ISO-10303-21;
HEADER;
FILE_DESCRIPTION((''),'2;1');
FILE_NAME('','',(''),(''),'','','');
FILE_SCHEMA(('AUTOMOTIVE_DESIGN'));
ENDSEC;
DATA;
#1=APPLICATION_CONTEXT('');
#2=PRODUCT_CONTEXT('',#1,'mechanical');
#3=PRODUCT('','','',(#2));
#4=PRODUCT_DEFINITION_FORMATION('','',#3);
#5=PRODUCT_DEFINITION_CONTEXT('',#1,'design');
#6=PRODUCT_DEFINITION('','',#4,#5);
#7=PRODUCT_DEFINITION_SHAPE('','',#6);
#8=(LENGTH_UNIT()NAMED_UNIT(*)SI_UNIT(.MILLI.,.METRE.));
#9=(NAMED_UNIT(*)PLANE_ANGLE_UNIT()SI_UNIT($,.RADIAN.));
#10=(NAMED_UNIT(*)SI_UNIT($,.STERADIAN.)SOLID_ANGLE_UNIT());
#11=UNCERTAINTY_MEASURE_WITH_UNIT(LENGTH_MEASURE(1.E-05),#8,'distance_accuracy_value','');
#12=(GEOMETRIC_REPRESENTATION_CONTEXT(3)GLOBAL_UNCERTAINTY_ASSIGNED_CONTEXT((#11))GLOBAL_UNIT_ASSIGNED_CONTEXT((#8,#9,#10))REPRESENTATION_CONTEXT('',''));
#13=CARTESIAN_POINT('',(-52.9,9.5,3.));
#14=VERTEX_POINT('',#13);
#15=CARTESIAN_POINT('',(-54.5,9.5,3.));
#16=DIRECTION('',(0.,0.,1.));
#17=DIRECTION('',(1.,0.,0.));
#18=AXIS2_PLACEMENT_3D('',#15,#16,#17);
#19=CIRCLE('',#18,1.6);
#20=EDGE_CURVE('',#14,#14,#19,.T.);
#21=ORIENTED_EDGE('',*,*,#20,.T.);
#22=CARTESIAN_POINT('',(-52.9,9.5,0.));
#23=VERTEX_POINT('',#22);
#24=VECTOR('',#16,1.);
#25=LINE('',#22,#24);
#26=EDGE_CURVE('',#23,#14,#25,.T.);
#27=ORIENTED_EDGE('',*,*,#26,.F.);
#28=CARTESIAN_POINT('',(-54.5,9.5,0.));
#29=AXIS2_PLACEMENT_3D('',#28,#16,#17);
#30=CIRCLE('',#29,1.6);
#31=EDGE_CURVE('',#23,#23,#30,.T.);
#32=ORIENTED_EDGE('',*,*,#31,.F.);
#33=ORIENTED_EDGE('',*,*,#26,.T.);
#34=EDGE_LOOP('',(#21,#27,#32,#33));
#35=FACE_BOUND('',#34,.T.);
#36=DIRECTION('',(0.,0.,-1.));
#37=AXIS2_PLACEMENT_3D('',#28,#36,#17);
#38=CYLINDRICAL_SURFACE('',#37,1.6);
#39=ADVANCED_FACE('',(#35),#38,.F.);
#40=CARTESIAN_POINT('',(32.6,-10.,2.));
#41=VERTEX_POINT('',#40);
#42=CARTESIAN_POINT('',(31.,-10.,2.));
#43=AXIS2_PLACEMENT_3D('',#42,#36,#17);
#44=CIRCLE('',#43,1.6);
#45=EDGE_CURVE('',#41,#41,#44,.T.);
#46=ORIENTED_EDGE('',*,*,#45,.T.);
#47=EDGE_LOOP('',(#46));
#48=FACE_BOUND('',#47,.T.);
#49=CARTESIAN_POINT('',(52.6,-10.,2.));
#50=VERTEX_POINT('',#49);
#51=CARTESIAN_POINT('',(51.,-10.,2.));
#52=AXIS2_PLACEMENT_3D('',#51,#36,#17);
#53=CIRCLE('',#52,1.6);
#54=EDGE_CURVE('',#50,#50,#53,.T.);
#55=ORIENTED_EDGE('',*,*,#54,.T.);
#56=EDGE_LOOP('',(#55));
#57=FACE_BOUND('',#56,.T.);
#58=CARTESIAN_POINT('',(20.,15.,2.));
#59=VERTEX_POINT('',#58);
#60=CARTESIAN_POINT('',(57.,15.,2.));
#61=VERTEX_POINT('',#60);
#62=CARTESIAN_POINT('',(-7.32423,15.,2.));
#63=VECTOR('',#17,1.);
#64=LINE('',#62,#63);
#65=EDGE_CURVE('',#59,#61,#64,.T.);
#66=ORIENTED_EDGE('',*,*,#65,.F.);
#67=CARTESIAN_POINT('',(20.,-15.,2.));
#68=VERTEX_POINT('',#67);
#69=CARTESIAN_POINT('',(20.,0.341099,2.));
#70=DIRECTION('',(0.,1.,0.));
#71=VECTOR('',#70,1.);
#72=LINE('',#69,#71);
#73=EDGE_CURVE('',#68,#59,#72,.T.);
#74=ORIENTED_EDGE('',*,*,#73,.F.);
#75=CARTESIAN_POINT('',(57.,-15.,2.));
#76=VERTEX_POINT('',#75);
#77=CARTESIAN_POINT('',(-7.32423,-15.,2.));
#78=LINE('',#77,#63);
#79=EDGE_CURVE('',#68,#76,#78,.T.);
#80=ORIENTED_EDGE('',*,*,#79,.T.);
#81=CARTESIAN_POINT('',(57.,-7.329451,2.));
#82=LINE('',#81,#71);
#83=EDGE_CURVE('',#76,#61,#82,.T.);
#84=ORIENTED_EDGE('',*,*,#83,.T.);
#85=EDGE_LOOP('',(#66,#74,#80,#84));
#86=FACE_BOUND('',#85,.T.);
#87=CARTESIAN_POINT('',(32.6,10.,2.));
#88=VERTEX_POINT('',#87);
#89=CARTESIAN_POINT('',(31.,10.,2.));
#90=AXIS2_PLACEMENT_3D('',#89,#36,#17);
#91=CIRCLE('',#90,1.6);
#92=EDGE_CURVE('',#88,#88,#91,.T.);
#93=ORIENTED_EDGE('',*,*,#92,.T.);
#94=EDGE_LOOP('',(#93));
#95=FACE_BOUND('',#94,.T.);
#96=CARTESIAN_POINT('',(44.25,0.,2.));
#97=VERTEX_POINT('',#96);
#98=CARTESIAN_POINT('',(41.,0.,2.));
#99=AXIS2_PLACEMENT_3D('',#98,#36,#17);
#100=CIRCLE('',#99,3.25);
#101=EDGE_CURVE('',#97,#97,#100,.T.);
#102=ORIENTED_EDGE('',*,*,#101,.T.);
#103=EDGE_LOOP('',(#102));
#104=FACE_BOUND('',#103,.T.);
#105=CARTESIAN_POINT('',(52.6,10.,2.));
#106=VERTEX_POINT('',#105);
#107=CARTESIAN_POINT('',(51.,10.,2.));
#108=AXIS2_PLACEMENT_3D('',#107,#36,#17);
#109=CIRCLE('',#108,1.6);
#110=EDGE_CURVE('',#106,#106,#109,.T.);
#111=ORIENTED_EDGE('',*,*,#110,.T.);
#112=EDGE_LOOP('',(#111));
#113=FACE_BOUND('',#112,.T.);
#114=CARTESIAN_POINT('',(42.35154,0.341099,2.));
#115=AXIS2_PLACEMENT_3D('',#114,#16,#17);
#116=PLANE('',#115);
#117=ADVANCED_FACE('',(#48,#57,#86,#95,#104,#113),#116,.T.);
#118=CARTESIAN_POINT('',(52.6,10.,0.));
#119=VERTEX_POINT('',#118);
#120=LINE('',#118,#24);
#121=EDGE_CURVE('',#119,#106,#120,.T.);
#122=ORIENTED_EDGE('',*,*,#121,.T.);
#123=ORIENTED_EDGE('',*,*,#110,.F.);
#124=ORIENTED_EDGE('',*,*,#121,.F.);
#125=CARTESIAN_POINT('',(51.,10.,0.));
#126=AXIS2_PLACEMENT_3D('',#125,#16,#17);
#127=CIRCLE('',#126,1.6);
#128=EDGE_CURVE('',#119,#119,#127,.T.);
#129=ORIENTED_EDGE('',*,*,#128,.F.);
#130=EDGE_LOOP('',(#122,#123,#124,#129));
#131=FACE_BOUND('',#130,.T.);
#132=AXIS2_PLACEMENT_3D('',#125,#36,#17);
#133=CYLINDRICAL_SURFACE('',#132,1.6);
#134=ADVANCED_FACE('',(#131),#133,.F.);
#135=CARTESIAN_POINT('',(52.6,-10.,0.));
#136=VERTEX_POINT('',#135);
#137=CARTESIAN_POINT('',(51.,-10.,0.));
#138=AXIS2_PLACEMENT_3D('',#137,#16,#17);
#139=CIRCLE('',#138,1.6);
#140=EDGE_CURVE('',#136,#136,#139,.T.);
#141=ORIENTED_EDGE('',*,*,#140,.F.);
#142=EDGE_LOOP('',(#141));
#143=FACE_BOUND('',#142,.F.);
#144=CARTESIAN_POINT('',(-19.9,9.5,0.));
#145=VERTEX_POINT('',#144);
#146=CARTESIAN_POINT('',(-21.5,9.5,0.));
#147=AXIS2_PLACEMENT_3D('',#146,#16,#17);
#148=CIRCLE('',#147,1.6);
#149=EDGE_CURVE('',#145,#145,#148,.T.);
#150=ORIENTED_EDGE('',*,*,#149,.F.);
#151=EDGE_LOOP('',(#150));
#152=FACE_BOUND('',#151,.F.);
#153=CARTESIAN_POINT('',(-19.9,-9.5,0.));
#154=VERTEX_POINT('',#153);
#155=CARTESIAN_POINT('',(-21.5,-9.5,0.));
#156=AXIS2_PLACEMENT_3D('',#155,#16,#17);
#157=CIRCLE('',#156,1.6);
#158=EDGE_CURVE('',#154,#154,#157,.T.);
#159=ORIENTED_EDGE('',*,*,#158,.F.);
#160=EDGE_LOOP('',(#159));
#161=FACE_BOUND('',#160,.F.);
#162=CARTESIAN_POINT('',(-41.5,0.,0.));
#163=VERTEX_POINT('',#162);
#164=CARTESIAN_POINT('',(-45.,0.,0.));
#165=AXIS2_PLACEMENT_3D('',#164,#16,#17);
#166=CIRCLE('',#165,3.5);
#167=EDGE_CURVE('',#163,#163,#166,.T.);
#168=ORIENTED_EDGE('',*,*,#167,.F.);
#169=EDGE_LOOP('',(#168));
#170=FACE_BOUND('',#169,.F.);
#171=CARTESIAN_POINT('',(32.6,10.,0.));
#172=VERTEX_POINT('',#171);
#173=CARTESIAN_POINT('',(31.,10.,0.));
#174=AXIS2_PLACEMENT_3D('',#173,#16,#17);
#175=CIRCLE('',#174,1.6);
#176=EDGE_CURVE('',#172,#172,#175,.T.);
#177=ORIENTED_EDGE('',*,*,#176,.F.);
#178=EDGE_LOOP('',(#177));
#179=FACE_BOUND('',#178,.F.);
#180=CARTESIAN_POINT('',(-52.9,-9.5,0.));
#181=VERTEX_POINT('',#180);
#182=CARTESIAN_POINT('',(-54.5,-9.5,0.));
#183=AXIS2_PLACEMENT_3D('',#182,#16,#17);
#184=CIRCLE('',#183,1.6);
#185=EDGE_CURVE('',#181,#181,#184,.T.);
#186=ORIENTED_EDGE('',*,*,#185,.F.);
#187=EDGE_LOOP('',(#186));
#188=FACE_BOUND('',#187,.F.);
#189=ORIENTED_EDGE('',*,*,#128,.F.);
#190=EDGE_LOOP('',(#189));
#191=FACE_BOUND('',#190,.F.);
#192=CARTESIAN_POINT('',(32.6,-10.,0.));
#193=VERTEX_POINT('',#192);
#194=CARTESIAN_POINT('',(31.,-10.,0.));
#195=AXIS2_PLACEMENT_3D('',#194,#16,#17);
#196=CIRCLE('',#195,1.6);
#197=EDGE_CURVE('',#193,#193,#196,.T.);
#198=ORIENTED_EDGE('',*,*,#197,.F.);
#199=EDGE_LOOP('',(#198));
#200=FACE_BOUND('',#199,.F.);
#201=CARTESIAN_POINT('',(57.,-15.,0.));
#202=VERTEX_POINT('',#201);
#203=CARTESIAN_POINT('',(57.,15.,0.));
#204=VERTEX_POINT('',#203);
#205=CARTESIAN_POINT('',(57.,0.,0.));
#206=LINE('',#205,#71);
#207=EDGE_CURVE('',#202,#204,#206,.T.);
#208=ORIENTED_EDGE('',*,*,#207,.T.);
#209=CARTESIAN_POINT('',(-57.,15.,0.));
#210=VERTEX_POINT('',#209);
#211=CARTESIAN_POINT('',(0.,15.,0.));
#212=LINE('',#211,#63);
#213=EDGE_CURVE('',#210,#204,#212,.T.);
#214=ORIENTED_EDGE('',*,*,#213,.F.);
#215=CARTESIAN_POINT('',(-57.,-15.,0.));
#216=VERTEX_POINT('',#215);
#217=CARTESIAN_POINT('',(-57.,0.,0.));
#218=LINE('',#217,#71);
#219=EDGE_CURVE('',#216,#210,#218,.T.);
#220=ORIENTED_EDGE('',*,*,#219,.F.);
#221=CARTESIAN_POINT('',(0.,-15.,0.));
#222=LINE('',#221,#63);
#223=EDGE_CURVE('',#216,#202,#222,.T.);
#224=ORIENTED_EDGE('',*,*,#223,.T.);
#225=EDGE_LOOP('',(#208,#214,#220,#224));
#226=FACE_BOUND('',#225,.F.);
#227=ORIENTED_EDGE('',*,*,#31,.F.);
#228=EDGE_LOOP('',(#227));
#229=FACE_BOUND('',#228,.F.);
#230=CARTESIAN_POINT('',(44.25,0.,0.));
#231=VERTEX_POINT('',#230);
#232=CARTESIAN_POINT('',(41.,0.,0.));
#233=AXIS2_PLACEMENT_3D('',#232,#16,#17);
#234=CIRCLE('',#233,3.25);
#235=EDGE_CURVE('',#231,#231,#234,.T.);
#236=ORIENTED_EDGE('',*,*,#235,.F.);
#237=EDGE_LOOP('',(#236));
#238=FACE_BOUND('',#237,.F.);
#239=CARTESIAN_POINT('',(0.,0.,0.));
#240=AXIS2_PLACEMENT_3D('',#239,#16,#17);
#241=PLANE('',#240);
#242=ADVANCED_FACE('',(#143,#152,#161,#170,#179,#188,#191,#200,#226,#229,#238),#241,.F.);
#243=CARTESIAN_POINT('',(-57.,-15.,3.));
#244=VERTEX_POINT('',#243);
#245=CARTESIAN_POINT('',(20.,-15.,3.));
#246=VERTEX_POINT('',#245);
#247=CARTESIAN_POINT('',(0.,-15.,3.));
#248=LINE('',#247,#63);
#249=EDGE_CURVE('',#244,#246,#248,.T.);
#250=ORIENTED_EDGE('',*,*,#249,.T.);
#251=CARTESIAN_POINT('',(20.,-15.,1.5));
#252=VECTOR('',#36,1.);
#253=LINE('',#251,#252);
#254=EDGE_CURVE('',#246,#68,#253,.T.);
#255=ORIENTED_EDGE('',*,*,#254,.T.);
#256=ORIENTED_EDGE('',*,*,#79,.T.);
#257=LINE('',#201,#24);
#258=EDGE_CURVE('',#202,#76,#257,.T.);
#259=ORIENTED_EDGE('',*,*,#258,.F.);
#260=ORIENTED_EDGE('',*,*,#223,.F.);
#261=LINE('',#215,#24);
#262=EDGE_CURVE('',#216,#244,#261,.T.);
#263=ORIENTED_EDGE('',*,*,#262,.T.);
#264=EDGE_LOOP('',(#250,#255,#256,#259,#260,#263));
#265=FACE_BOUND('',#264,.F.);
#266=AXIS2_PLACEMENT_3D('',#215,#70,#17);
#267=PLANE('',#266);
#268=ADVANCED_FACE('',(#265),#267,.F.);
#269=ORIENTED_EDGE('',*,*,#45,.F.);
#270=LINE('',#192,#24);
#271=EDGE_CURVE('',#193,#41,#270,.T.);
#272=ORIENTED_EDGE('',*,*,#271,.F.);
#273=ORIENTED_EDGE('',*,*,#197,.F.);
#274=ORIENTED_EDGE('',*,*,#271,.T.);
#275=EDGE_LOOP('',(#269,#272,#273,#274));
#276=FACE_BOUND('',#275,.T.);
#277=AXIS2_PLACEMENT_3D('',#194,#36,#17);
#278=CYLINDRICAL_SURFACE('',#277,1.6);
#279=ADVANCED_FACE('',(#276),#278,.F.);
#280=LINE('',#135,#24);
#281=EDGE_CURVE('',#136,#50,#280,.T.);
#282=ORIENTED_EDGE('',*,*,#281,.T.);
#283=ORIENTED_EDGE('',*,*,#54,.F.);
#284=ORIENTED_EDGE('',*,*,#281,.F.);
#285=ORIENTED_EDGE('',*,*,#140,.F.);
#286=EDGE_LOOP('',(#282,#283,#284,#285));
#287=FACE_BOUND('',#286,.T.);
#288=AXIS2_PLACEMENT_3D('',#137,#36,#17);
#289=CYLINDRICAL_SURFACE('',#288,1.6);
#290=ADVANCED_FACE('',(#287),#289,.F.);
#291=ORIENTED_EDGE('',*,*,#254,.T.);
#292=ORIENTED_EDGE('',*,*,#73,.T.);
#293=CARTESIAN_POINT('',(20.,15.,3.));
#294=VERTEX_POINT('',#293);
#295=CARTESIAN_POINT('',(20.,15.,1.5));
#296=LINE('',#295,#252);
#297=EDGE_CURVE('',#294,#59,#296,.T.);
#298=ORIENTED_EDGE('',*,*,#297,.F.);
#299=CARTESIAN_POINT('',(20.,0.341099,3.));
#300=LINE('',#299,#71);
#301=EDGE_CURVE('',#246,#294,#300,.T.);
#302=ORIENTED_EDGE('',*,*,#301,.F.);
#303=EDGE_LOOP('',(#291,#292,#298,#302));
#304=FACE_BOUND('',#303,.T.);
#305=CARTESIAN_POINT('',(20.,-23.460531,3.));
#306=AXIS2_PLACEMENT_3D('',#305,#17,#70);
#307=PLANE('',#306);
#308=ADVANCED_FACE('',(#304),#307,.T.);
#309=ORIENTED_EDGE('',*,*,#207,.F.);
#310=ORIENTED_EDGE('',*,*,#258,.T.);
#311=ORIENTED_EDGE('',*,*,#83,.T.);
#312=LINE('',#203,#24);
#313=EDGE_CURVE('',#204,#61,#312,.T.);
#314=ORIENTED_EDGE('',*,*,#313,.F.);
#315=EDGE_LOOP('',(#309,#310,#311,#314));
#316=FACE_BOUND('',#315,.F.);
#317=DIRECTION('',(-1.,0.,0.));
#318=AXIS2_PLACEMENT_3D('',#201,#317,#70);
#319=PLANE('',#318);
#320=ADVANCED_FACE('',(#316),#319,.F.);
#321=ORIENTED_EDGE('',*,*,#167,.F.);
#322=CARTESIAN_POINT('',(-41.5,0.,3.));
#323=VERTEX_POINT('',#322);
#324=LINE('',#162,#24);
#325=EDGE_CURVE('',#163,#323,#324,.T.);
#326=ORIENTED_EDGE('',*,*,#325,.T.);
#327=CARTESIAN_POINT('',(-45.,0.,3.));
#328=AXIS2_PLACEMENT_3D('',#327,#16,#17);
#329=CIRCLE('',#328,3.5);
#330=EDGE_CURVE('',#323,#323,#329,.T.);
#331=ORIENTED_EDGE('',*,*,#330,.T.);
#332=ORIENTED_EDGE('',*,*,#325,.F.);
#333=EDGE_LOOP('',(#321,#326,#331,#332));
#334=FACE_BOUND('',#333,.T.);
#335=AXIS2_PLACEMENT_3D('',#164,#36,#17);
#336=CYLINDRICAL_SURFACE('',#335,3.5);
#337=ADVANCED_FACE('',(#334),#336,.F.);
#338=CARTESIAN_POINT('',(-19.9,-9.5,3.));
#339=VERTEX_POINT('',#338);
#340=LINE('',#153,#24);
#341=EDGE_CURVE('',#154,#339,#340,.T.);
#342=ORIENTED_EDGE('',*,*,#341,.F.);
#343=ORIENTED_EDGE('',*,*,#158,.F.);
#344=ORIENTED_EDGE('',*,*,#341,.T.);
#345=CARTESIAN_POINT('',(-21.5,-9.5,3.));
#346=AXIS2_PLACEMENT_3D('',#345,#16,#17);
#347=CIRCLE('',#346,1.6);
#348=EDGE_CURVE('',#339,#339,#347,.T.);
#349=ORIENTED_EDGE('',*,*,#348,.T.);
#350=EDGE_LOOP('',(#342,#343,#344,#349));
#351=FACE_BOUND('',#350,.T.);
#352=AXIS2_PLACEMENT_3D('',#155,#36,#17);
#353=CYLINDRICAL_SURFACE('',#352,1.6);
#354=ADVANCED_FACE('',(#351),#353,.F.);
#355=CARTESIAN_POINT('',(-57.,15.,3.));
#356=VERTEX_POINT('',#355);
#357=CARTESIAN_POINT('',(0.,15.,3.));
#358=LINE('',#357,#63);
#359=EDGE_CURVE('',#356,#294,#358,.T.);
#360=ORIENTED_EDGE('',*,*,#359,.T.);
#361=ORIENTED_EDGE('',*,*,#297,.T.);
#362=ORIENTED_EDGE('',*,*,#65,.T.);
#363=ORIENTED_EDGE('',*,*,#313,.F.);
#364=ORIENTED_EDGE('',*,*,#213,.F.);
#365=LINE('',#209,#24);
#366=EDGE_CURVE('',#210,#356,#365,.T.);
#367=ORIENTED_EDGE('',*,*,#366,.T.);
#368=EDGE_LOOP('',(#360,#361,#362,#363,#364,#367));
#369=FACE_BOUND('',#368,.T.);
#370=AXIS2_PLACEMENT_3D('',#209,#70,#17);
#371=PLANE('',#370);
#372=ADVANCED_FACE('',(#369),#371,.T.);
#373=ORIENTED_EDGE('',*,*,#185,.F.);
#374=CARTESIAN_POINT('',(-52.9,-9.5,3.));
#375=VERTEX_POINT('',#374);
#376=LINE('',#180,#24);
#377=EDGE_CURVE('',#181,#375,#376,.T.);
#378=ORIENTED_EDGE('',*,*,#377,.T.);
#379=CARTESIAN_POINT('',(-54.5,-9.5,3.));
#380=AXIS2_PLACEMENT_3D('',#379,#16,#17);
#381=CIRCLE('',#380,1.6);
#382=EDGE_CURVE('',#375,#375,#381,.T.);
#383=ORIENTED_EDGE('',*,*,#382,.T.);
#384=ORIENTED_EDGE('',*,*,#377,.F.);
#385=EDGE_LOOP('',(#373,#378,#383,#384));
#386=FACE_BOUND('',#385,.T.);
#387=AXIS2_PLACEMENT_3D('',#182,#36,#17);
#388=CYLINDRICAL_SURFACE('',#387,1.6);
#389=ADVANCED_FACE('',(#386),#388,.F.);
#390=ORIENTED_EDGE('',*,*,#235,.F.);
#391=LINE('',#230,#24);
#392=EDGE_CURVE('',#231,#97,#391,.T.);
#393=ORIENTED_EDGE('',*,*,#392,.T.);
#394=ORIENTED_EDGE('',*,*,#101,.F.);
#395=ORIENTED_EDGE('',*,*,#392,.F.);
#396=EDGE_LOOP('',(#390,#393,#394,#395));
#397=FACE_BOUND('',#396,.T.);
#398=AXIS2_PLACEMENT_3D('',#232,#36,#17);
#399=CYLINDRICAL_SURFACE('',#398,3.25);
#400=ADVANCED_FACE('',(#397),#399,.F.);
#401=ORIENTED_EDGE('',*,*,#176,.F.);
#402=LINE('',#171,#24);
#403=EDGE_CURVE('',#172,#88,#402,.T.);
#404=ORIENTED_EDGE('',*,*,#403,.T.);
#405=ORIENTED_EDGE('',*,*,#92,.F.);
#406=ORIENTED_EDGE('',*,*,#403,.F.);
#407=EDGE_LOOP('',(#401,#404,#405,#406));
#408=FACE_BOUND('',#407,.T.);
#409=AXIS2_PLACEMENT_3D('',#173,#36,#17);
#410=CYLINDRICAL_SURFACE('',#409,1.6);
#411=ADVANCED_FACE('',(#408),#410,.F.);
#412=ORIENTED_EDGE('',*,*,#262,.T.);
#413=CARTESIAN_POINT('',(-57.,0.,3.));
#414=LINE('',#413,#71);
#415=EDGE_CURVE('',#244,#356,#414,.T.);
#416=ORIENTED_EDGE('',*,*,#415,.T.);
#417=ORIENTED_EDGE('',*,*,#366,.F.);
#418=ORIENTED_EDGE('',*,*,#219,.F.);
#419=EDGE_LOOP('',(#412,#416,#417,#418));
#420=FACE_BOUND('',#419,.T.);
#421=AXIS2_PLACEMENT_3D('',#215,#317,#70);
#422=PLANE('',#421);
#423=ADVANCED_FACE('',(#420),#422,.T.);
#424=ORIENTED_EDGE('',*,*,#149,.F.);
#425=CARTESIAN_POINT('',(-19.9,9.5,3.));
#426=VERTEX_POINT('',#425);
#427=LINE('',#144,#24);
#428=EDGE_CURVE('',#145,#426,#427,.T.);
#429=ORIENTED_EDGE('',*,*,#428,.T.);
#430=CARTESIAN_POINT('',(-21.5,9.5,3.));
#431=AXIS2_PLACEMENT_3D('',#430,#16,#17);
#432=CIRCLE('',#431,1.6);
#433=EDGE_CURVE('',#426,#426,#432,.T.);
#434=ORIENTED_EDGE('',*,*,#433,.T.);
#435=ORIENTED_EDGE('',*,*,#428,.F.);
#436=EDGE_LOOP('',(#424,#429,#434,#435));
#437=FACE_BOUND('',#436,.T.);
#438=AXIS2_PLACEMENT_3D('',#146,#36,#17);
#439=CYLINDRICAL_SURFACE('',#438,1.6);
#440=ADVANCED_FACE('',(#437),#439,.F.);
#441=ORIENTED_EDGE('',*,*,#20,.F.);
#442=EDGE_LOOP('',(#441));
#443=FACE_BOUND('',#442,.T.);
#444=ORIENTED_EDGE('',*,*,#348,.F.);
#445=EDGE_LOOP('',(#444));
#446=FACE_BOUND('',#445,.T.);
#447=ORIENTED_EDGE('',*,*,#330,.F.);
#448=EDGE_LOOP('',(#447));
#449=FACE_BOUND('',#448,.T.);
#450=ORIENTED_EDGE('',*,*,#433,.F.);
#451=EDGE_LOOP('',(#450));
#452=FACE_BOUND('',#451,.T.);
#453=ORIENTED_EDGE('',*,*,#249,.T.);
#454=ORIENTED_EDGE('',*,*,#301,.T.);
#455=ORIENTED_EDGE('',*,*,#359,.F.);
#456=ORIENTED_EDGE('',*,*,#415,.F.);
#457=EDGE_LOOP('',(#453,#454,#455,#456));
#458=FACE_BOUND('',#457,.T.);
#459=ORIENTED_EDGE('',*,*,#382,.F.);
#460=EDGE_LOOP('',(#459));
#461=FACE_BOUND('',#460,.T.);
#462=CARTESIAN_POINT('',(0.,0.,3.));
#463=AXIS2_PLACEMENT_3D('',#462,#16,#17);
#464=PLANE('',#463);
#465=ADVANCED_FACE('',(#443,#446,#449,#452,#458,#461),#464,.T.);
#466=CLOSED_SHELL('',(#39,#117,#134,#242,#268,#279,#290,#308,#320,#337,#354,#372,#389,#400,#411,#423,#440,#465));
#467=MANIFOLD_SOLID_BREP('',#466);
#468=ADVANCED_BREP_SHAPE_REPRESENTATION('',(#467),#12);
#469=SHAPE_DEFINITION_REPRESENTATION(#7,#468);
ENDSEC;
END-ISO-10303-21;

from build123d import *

# Parameters (mm, degrees)
SKETCH_W     = 114
SKETCH_H     = 30
SKETCH_R     = 3.25
SKETCH_R_2   = 1.6
SKETCH_R_3   = 3.5
PAD_DEPTH    = 3
SKETCH001_W  = 44.703079
SKETCH001_H  = 47.60326
POCKET_DEPTH = 1


with BuildPart() as part:
    # Sketch → Pad (new body)
    with BuildSketch(Plane.XY):
        Rectangle(SKETCH_W, SKETCH_H)
        with Locations((41, 0)):
            Circle(SKETCH_R, mode=Mode.SUBTRACT)
        with Locations((51, 10)):
            Circle(SKETCH_R_2, mode=Mode.SUBTRACT)
        with Locations((31, 10)):
            Circle(SKETCH_R_2, mode=Mode.SUBTRACT)
        with Locations((31, -10)):
            Circle(SKETCH_R_2, mode=Mode.SUBTRACT)
        with Locations((51, -10)):
            Circle(SKETCH_R_2, mode=Mode.SUBTRACT)
        with Locations((-45, 0)):
            Circle(SKETCH_R_3, mode=Mode.SUBTRACT)
        with Locations((-54.5, 9.5)):
            Circle(SKETCH_R_2, mode=Mode.SUBTRACT)
        with Locations((-21.5, 9.5)):
            Circle(SKETCH_R_2, mode=Mode.SUBTRACT)
        with Locations((-21.5, -9.5)):
            Circle(SKETCH_R_2, mode=Mode.SUBTRACT)
        with Locations((-54.5, -9.5)):
            Circle(SKETCH_R_2, mode=Mode.SUBTRACT)
    extrude(amount=PAD_DEPTH)

    # Sketch001 (on Face16 of Pad) → Pocket (cut)
    with BuildSketch(Plane.XY.offset(3)):
        with Locations((42.35154, 0.341099)):
            Rectangle(SKETCH001_W, SKETCH001_H)
    extrude(amount=-POCKET_DEPTH, mode=Mode.SUBTRACT)


solid = part.part
